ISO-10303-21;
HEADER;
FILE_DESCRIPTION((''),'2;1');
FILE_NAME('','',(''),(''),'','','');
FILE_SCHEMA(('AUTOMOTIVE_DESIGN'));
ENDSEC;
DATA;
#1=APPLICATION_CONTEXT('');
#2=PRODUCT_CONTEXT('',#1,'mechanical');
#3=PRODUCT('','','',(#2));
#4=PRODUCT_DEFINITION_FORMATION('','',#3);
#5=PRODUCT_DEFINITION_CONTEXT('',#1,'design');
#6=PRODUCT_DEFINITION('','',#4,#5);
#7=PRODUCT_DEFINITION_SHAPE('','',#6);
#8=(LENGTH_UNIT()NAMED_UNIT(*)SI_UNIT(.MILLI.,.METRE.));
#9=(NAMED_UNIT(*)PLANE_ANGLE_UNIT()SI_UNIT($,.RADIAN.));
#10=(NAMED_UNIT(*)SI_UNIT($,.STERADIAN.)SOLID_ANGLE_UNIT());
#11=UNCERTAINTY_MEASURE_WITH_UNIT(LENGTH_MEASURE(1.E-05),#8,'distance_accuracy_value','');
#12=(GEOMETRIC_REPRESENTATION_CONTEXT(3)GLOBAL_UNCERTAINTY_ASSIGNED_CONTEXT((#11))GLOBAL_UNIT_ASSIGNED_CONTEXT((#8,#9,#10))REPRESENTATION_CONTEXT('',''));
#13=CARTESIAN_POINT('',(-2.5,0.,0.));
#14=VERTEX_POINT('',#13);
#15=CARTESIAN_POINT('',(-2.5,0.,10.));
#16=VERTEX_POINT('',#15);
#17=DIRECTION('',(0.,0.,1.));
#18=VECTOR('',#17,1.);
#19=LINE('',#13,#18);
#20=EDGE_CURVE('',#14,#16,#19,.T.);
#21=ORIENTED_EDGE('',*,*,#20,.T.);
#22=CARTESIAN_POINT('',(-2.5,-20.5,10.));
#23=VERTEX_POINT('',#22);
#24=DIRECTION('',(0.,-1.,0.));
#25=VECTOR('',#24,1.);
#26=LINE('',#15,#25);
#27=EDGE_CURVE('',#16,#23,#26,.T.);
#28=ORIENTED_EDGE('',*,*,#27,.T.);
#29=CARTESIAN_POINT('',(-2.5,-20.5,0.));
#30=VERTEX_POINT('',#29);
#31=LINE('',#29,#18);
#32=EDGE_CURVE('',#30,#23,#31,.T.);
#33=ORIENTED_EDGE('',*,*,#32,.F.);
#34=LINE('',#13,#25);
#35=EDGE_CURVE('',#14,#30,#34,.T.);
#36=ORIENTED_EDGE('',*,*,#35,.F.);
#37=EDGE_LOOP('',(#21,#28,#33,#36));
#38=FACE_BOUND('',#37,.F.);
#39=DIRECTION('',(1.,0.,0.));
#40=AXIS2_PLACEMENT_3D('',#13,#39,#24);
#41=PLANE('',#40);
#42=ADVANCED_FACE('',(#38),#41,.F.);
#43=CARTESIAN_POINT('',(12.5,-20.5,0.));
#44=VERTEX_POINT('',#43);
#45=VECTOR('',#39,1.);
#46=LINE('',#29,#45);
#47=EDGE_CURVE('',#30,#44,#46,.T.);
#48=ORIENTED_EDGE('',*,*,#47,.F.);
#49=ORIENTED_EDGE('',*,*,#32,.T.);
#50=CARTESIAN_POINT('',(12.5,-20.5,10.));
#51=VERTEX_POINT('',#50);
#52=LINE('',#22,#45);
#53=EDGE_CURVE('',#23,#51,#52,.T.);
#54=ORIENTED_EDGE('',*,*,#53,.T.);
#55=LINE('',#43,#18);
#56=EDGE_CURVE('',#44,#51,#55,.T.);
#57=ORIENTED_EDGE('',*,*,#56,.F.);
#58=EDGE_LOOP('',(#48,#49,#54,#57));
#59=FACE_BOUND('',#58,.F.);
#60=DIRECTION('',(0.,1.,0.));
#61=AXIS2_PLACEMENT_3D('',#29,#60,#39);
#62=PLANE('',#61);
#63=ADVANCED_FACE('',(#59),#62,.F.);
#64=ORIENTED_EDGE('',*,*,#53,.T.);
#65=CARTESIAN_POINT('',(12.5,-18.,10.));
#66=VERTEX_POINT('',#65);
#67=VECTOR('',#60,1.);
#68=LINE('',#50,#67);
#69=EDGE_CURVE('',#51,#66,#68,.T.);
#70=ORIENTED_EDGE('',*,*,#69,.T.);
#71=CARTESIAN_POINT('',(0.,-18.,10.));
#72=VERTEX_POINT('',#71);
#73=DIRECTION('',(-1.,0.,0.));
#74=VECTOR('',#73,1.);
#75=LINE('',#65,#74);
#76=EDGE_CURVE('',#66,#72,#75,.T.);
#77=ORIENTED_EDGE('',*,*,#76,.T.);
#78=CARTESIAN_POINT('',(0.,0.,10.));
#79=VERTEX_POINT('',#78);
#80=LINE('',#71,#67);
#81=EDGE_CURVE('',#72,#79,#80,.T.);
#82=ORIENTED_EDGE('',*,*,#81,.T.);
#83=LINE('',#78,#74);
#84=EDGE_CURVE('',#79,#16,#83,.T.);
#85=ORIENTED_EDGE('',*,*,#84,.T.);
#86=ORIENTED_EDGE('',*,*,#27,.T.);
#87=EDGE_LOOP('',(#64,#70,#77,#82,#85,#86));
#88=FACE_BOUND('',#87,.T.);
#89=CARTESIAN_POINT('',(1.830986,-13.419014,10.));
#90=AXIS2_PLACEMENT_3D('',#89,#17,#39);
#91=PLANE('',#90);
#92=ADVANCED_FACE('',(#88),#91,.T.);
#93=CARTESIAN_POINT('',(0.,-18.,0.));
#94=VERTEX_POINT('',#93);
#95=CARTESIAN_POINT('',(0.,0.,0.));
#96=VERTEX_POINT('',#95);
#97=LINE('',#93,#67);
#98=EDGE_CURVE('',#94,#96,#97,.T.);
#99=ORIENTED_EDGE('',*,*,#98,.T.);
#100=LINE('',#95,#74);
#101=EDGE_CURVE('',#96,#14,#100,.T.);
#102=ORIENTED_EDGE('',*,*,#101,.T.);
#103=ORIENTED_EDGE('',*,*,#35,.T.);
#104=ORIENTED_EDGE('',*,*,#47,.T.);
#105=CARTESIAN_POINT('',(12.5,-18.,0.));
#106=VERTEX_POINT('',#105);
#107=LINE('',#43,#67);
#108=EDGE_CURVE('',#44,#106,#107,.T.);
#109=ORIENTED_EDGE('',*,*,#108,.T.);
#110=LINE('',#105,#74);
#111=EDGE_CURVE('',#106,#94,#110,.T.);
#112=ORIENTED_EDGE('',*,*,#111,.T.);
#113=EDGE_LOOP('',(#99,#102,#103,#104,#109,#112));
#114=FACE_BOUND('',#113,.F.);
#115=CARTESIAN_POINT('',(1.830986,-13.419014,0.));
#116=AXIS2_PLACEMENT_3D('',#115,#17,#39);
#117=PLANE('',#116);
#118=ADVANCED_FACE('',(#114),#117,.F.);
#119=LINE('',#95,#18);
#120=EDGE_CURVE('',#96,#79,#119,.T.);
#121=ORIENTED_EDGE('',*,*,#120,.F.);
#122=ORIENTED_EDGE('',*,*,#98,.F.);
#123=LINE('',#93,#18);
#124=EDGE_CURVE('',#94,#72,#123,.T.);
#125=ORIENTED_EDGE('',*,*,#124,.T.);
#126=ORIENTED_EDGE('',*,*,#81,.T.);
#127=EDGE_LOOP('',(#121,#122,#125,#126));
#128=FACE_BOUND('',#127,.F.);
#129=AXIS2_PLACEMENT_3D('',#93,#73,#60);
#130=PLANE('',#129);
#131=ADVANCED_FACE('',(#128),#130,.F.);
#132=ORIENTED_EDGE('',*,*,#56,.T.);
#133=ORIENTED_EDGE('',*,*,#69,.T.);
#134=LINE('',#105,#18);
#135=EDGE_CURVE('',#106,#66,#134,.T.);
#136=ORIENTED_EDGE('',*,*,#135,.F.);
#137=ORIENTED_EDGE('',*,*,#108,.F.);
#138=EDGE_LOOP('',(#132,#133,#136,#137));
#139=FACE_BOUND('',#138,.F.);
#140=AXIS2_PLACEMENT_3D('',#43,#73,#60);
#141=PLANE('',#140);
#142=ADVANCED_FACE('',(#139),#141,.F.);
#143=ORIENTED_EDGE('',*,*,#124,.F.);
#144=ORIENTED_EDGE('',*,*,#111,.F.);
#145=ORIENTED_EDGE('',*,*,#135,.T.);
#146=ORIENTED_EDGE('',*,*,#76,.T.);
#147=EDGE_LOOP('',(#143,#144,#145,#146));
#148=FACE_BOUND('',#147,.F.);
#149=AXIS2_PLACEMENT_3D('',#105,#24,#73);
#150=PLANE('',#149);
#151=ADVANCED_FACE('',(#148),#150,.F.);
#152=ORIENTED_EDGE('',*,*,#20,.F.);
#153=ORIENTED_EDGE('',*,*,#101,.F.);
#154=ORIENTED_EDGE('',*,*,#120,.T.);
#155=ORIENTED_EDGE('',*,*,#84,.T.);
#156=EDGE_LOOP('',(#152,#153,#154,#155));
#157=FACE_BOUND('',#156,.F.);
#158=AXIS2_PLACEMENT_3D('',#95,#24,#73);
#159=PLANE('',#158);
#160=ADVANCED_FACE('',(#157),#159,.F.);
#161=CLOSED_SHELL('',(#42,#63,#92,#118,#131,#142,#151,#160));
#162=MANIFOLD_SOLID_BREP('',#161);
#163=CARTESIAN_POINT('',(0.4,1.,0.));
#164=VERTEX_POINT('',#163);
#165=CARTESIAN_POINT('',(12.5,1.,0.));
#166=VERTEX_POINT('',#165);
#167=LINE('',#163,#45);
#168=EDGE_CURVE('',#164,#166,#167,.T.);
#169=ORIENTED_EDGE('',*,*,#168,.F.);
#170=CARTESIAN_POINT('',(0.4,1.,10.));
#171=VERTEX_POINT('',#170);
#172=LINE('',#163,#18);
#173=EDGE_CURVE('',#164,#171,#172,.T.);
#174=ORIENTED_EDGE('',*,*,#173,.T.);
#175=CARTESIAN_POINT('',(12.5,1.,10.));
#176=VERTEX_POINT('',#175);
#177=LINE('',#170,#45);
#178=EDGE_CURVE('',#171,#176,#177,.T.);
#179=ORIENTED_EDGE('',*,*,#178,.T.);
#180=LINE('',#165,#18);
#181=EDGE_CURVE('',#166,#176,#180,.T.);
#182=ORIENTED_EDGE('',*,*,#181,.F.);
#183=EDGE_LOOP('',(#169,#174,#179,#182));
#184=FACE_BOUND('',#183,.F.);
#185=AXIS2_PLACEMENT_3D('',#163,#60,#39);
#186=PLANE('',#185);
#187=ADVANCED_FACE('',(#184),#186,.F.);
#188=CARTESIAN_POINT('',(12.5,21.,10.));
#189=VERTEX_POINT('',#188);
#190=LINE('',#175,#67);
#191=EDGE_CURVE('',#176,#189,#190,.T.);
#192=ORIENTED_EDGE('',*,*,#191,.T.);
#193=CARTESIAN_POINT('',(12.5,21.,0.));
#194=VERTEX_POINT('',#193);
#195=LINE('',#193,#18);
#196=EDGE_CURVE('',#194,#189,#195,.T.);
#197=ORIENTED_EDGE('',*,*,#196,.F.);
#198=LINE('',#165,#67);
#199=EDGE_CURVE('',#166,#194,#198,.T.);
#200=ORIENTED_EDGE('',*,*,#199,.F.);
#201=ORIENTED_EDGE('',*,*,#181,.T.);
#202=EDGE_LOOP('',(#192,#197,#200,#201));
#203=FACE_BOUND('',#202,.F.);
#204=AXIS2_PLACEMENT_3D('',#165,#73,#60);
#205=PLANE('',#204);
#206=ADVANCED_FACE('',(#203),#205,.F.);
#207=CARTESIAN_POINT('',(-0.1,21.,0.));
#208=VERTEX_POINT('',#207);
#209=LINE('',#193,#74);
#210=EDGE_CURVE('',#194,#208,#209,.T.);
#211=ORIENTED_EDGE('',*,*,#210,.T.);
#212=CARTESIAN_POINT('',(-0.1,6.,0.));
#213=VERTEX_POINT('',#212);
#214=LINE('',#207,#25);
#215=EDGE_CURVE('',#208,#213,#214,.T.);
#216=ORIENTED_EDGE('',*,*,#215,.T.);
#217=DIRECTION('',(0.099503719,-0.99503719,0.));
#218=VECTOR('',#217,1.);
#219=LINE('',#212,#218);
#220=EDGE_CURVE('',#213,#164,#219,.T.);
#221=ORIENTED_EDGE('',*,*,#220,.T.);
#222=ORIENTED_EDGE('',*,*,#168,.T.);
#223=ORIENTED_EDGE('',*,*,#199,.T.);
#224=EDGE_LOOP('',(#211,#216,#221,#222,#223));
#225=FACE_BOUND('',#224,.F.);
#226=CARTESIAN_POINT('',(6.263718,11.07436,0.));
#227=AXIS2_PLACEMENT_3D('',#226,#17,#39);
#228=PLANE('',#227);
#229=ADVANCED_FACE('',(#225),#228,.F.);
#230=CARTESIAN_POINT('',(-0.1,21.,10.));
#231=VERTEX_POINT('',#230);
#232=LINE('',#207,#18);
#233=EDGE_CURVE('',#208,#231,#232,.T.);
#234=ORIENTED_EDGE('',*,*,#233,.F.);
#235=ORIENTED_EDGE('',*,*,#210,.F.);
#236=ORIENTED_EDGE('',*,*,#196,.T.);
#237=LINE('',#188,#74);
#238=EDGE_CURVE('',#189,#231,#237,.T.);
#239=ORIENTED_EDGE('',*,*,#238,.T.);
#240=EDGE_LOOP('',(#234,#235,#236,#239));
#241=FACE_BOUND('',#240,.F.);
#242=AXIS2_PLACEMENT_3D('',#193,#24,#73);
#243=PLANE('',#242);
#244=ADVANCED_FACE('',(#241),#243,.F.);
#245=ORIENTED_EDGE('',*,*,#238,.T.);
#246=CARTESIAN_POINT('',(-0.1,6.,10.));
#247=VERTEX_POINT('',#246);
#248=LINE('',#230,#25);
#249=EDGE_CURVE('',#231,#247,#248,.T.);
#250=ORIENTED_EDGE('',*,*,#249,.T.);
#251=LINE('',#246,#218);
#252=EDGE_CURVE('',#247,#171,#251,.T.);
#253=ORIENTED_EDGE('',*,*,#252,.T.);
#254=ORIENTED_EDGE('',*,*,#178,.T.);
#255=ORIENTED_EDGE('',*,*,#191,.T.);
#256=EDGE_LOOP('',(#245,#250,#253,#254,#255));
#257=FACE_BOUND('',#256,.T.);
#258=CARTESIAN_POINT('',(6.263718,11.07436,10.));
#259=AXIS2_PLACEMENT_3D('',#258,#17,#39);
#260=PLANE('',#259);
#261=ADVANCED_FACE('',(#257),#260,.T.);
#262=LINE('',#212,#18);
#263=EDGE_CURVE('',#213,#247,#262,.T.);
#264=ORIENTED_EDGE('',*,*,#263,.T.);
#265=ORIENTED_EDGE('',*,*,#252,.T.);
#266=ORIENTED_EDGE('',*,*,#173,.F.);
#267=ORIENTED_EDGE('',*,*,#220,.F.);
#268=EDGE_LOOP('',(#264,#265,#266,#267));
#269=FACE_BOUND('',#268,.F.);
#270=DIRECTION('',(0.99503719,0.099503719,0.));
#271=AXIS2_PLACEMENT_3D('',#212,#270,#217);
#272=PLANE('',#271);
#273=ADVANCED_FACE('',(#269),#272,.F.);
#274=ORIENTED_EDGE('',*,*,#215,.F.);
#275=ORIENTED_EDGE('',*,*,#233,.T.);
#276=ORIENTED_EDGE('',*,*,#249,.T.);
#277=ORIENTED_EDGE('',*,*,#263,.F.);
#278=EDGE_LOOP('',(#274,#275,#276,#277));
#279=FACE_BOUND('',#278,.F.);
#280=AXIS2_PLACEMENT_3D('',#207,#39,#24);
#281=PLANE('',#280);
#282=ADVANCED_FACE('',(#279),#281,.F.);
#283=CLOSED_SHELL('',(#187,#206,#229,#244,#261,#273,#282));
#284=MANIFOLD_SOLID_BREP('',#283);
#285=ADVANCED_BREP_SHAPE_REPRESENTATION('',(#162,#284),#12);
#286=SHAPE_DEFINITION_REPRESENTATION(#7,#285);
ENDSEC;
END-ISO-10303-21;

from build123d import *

# Parameters (mm, degrees)
F1_DEPTH = 10


with BuildPart() as f1:
    # F0 (on Top) → F1 (new body)
    with BuildSketch(Plane.XY):
        Polygon((0.4, 1), (12.5, 1), (12.5, 21), (-0.1, 21), (-0.1, 6), align=None)
        Polygon((0, -18), (0, 0), (-2.5, 0), (-2.5, -18), (-2.5, -20.5), (12.5, -20.5), (12.5, -18), align=None)
    extrude(amount=F1_DEPTH)


solid = f1.part
